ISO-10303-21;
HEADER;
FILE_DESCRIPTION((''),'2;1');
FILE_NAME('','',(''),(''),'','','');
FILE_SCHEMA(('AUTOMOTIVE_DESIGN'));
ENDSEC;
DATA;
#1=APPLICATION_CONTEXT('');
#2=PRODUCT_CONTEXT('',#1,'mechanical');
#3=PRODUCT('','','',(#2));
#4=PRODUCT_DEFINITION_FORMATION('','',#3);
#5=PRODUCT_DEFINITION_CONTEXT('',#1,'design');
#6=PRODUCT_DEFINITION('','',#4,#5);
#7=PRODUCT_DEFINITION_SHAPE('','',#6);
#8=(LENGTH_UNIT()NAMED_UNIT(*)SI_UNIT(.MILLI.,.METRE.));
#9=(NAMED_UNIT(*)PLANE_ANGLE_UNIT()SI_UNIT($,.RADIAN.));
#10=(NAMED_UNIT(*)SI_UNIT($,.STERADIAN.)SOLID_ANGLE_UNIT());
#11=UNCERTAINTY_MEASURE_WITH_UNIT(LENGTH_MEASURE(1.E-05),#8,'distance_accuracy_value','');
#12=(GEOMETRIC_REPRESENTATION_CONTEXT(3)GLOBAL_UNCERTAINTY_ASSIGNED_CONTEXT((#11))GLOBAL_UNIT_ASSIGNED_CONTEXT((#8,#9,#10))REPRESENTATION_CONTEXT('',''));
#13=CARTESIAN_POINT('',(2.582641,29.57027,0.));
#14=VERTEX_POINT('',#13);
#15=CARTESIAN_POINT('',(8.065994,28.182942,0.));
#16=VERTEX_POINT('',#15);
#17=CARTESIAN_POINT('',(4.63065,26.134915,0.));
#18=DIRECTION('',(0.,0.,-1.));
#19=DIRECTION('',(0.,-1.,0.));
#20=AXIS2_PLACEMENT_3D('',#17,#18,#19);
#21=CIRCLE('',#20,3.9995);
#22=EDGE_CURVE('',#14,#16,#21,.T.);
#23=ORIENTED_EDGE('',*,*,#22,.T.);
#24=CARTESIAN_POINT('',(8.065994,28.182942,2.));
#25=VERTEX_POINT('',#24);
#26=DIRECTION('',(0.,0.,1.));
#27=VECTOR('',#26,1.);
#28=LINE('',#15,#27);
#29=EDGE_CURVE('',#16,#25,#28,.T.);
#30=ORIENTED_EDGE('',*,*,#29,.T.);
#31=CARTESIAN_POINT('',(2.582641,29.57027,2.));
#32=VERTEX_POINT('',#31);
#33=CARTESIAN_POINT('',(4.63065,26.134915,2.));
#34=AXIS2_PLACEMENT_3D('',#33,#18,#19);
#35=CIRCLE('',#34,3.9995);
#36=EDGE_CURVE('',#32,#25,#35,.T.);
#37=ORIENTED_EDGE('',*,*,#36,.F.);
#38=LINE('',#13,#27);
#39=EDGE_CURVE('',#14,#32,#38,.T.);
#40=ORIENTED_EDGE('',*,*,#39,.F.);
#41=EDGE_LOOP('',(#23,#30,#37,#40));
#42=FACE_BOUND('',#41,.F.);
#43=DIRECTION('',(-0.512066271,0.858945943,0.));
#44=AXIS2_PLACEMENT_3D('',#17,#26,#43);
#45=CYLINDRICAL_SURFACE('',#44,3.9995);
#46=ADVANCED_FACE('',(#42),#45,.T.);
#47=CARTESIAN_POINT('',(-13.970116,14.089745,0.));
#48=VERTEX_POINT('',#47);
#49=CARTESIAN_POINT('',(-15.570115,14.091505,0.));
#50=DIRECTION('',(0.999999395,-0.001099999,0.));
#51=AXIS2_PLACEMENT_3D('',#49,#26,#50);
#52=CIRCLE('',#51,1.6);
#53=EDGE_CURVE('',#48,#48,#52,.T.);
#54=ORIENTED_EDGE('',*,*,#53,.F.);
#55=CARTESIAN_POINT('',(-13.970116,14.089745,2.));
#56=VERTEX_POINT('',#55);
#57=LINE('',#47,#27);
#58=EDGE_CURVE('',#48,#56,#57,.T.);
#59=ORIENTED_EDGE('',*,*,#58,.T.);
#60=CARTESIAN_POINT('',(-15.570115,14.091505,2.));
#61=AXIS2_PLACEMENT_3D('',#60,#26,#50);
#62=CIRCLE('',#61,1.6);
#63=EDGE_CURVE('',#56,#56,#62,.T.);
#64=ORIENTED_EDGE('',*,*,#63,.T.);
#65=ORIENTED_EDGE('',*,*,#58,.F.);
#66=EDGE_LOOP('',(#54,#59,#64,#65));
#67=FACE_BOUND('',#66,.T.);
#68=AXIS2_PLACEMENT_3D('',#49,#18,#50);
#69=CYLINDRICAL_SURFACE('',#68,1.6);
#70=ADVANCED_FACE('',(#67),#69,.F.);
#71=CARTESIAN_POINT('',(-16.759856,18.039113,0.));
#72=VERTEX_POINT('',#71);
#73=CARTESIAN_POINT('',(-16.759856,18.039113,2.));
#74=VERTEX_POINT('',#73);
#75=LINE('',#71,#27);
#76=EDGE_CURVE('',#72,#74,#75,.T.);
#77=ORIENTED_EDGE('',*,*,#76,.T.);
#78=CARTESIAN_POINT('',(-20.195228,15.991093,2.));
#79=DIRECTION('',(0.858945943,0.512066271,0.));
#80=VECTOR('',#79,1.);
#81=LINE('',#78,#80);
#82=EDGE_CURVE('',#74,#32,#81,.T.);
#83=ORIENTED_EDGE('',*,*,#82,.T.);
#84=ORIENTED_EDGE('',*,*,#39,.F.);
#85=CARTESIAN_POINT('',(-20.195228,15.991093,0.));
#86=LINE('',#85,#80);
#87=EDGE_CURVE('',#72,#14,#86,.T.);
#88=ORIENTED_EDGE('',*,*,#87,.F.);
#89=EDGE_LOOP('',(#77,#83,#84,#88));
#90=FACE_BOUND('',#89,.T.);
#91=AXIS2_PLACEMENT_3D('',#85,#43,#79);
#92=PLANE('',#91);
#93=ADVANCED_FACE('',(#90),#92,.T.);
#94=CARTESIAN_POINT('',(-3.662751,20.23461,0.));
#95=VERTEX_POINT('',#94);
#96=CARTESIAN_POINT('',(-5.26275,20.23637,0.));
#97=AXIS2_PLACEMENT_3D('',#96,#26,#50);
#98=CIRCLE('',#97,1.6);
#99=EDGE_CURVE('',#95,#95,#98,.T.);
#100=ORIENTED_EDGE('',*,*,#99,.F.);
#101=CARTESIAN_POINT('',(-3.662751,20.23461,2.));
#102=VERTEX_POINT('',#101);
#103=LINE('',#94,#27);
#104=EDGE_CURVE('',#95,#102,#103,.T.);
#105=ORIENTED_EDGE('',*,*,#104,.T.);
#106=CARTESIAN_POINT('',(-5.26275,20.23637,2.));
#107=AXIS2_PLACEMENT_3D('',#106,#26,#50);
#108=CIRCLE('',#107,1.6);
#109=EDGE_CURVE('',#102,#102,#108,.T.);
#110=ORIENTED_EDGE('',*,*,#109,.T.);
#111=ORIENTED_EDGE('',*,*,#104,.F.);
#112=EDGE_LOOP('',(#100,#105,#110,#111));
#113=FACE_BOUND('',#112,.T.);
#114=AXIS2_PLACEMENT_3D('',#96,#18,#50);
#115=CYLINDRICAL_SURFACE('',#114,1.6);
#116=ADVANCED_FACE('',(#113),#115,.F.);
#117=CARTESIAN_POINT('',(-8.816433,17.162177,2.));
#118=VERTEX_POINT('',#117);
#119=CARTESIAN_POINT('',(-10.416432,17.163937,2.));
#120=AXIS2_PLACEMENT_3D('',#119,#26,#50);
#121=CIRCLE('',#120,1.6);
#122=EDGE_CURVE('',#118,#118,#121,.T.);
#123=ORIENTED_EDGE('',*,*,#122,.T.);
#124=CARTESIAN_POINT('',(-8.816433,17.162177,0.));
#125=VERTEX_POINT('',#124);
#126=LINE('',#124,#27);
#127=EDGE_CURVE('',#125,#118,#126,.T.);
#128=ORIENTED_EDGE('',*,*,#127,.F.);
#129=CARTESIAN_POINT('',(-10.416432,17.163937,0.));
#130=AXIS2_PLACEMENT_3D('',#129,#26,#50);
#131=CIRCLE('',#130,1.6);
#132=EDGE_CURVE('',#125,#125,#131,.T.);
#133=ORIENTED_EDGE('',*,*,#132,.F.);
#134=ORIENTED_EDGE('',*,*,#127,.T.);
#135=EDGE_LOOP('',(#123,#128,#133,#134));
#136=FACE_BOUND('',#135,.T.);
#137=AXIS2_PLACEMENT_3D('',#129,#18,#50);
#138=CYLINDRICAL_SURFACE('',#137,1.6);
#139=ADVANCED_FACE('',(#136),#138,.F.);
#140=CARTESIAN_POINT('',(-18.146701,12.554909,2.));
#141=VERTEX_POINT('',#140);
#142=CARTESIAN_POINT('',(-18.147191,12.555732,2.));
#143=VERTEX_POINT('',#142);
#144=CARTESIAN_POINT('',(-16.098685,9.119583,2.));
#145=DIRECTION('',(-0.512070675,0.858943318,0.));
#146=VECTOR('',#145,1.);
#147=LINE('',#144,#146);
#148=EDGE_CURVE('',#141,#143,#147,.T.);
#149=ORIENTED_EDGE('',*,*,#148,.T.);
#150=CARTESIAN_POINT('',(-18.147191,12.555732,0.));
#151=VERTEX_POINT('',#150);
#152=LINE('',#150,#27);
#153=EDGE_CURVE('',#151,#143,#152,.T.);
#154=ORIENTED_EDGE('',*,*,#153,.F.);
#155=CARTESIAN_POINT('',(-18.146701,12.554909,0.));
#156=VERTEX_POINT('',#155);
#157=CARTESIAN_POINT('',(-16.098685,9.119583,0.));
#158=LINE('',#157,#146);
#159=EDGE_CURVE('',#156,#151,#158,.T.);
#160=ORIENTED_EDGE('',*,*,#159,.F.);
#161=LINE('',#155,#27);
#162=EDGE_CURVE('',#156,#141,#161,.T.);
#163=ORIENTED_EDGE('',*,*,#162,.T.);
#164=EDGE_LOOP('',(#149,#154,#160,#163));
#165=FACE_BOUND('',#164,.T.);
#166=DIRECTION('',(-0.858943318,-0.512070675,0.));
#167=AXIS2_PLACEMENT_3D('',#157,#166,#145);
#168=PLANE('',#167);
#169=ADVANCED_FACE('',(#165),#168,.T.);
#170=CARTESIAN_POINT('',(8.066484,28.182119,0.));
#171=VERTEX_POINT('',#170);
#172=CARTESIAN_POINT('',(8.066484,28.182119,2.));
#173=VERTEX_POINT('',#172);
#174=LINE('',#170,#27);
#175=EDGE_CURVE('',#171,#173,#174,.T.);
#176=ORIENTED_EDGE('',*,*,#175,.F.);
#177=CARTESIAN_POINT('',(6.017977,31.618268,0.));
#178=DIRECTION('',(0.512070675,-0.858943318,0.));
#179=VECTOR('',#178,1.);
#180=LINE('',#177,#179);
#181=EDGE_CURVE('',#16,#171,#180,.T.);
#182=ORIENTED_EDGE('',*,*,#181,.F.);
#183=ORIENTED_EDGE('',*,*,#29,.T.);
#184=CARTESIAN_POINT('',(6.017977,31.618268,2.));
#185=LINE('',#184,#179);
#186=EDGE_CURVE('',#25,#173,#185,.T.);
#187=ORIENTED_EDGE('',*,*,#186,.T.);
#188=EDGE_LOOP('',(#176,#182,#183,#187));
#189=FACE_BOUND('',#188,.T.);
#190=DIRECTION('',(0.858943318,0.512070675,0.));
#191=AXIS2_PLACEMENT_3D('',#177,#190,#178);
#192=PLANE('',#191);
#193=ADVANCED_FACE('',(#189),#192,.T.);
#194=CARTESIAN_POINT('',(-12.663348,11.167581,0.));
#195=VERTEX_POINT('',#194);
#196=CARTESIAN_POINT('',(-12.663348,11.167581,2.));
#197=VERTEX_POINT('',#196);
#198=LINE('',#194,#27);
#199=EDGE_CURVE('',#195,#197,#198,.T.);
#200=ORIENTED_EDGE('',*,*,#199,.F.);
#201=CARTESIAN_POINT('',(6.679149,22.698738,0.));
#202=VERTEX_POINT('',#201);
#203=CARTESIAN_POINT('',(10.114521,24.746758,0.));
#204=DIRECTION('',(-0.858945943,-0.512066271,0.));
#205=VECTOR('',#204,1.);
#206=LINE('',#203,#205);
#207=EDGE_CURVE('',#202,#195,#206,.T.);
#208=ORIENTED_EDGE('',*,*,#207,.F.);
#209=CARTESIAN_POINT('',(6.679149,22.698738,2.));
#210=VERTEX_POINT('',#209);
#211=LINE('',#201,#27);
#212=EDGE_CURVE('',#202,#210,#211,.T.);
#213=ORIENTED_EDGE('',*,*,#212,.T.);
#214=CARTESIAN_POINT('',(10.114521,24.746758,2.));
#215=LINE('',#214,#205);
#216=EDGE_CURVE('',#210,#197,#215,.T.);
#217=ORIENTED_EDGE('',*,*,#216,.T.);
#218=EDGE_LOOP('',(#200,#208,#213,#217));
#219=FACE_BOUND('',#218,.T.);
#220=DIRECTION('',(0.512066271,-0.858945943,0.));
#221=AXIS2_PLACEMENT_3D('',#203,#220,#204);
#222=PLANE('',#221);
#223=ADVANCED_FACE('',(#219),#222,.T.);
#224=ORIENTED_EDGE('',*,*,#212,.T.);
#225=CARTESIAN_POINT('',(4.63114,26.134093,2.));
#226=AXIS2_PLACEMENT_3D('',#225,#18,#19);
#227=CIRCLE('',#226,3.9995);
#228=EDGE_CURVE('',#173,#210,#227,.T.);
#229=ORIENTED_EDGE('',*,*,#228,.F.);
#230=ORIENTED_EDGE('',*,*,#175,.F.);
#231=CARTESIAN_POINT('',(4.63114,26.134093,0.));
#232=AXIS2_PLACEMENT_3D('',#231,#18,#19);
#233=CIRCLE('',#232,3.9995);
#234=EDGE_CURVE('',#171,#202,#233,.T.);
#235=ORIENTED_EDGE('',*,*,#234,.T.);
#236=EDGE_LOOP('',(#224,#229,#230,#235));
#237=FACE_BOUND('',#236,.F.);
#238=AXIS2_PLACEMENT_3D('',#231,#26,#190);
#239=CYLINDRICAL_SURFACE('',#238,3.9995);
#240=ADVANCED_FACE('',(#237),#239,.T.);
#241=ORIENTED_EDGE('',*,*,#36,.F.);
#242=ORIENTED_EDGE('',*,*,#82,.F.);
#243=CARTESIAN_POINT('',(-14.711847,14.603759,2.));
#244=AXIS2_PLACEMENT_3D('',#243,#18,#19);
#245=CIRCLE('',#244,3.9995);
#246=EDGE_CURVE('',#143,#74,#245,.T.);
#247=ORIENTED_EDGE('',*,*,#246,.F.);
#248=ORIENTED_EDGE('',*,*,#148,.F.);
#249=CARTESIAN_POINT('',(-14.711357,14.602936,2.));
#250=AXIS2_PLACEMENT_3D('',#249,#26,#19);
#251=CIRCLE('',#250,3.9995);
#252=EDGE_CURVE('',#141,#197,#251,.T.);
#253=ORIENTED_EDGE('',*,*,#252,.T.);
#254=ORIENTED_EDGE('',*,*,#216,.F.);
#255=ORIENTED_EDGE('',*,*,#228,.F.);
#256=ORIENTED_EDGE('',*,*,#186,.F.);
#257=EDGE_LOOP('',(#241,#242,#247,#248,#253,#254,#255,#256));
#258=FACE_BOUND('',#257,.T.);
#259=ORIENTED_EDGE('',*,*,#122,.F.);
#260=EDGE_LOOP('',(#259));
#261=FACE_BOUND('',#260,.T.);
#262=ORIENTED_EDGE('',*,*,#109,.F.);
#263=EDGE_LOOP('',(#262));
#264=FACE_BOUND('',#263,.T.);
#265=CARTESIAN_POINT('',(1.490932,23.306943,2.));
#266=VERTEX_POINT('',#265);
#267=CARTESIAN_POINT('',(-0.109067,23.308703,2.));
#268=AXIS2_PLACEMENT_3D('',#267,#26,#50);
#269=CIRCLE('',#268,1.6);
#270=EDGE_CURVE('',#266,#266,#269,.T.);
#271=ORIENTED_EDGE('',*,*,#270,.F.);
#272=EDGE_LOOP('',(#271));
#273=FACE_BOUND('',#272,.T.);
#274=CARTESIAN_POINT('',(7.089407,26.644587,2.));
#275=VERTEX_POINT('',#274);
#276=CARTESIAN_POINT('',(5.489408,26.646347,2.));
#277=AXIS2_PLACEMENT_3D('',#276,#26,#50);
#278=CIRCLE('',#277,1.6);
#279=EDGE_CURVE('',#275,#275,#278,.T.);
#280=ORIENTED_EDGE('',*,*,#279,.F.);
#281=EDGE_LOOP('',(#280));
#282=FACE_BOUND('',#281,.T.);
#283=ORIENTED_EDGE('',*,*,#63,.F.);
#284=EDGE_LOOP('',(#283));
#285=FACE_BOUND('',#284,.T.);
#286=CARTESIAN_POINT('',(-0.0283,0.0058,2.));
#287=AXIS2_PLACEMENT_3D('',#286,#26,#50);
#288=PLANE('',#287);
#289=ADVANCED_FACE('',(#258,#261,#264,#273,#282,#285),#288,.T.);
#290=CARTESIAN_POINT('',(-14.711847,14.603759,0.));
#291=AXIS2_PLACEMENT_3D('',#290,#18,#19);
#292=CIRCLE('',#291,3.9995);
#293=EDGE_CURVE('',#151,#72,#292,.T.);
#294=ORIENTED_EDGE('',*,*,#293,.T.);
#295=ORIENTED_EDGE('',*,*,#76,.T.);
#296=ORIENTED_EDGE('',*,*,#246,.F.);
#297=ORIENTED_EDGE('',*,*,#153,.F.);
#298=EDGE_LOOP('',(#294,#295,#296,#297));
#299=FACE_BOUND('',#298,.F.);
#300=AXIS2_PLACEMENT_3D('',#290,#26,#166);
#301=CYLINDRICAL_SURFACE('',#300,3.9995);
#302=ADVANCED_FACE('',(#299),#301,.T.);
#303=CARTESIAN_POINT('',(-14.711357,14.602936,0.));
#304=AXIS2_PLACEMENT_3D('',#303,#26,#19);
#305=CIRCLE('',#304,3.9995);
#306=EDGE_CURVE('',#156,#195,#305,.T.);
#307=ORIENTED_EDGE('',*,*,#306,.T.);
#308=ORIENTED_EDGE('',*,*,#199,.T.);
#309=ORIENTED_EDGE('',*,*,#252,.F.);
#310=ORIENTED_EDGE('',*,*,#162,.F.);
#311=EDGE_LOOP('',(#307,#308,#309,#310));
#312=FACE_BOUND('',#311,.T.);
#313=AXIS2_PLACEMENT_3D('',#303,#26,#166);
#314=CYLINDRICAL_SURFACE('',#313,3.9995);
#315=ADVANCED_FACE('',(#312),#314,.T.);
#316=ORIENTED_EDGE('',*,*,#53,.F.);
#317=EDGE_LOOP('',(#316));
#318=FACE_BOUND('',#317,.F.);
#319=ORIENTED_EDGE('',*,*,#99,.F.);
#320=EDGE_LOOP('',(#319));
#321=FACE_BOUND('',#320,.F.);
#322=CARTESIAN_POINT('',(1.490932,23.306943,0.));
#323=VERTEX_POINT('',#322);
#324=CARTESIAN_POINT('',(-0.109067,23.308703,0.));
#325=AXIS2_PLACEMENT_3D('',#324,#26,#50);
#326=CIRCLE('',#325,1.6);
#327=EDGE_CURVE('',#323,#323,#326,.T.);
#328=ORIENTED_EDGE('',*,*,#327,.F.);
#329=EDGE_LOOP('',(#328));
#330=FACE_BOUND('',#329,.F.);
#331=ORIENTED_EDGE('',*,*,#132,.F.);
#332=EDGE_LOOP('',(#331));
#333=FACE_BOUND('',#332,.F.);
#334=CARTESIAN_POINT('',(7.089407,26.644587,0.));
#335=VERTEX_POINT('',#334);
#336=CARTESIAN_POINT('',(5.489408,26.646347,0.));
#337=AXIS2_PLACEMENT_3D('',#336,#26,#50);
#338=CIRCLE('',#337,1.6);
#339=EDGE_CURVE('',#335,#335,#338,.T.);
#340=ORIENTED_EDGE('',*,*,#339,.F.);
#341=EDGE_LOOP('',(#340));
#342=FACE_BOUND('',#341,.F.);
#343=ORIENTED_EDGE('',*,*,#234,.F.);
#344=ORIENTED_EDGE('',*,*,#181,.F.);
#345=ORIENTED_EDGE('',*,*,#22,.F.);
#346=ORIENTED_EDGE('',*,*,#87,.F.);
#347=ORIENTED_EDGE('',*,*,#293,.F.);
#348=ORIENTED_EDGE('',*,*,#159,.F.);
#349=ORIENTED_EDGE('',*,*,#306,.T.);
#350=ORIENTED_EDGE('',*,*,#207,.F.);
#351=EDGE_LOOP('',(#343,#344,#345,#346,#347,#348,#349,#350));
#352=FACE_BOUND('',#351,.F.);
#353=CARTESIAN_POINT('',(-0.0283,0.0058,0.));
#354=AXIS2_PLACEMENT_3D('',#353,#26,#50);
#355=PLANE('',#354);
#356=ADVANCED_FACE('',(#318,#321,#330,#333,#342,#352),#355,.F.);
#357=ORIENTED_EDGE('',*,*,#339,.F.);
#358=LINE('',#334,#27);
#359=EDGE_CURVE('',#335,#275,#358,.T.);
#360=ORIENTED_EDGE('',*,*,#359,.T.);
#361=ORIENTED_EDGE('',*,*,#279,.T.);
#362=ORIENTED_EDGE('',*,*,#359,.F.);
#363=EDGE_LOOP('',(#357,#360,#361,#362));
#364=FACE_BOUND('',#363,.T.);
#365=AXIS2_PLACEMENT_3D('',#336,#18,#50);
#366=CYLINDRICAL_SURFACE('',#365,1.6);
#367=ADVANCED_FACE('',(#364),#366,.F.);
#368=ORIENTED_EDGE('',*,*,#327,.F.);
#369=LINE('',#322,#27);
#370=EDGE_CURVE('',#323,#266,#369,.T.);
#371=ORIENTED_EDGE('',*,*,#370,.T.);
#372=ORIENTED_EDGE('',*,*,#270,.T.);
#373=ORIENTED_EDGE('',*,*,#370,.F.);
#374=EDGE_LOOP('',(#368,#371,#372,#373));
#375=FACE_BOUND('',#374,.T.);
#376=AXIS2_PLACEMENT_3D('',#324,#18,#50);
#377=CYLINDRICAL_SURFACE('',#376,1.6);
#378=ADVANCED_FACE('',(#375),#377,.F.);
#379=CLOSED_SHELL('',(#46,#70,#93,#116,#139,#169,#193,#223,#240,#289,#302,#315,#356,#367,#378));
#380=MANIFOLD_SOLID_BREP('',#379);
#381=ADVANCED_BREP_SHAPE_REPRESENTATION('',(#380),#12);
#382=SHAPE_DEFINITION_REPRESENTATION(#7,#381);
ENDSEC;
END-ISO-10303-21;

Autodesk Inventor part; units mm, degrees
ref_plane "YZ Plane" through (0, 0, 0) normal (1, 0, 0) x (0, 1, 0)
ref_plane "XZ Plane" through (0, 0, 0) normal (0, 1, 0) x (-1, 0, 0)
ref_plane "XY Plane" through (0, 0, 0) normal (0, 0, 1) x (1, 0, 0)
ref_plane "Work Plane1" through (-0.0283, 0.0058, 0) normal (0, 0, 1) x (1, -0.0011, 0)
sketch "Sketch1" plane through (-0.0283, 0.0058, 0) normal (0, 0, 1) x (1, -0.0011, 0)
  circle A0 centre (-15.5573, 14.0686) radius 1.6 projected
  line L0 (-16.0804, 9.0961) -> (-20.1845, 15.9631)
  line L1 (-20.1845, 15.9631) -> (6.0115, 31.6191)
  line L2 (6.0115, 31.6191) -> (10.1156, 24.7521)
  line L3 (10.1156, 24.7521) -> (-16.0804, 9.0961)
  circle A1 centre (5.4884, 26.6466) radius 1.6 projected
  circle A2 centre (-15.5573, 14.0686) radius 1.6
  circle A3 centre (5.4884, 26.6466) radius 1.6
  circle A4 centre (-10.407, 17.1467) radius 1.6
  circle A5 centre (-5.2567, 20.2248) radius 1.6
  circle A6 centre (-0.1064, 23.3028) radius 1.6
  point P0 (0.0283, -0.0058)
  dimension "d0" = 4
  dimension "d1" = 8
  dimension "d2" = 3
  dimension "d3" = 3
  dimension "d4" = 4
  dimension "d7" = 6
extrude "Extrusion1" add sketch "Sketch1" along normal blind 2
fillet "Fillet1" radius 4 4 edges at (-20.1958, 15.9904, 1) (-16.099, 9.119, 1) (6.0167, 31.6186, 1) (10.1135, 24.7472, 1)
properties part number "vertex-arm"
